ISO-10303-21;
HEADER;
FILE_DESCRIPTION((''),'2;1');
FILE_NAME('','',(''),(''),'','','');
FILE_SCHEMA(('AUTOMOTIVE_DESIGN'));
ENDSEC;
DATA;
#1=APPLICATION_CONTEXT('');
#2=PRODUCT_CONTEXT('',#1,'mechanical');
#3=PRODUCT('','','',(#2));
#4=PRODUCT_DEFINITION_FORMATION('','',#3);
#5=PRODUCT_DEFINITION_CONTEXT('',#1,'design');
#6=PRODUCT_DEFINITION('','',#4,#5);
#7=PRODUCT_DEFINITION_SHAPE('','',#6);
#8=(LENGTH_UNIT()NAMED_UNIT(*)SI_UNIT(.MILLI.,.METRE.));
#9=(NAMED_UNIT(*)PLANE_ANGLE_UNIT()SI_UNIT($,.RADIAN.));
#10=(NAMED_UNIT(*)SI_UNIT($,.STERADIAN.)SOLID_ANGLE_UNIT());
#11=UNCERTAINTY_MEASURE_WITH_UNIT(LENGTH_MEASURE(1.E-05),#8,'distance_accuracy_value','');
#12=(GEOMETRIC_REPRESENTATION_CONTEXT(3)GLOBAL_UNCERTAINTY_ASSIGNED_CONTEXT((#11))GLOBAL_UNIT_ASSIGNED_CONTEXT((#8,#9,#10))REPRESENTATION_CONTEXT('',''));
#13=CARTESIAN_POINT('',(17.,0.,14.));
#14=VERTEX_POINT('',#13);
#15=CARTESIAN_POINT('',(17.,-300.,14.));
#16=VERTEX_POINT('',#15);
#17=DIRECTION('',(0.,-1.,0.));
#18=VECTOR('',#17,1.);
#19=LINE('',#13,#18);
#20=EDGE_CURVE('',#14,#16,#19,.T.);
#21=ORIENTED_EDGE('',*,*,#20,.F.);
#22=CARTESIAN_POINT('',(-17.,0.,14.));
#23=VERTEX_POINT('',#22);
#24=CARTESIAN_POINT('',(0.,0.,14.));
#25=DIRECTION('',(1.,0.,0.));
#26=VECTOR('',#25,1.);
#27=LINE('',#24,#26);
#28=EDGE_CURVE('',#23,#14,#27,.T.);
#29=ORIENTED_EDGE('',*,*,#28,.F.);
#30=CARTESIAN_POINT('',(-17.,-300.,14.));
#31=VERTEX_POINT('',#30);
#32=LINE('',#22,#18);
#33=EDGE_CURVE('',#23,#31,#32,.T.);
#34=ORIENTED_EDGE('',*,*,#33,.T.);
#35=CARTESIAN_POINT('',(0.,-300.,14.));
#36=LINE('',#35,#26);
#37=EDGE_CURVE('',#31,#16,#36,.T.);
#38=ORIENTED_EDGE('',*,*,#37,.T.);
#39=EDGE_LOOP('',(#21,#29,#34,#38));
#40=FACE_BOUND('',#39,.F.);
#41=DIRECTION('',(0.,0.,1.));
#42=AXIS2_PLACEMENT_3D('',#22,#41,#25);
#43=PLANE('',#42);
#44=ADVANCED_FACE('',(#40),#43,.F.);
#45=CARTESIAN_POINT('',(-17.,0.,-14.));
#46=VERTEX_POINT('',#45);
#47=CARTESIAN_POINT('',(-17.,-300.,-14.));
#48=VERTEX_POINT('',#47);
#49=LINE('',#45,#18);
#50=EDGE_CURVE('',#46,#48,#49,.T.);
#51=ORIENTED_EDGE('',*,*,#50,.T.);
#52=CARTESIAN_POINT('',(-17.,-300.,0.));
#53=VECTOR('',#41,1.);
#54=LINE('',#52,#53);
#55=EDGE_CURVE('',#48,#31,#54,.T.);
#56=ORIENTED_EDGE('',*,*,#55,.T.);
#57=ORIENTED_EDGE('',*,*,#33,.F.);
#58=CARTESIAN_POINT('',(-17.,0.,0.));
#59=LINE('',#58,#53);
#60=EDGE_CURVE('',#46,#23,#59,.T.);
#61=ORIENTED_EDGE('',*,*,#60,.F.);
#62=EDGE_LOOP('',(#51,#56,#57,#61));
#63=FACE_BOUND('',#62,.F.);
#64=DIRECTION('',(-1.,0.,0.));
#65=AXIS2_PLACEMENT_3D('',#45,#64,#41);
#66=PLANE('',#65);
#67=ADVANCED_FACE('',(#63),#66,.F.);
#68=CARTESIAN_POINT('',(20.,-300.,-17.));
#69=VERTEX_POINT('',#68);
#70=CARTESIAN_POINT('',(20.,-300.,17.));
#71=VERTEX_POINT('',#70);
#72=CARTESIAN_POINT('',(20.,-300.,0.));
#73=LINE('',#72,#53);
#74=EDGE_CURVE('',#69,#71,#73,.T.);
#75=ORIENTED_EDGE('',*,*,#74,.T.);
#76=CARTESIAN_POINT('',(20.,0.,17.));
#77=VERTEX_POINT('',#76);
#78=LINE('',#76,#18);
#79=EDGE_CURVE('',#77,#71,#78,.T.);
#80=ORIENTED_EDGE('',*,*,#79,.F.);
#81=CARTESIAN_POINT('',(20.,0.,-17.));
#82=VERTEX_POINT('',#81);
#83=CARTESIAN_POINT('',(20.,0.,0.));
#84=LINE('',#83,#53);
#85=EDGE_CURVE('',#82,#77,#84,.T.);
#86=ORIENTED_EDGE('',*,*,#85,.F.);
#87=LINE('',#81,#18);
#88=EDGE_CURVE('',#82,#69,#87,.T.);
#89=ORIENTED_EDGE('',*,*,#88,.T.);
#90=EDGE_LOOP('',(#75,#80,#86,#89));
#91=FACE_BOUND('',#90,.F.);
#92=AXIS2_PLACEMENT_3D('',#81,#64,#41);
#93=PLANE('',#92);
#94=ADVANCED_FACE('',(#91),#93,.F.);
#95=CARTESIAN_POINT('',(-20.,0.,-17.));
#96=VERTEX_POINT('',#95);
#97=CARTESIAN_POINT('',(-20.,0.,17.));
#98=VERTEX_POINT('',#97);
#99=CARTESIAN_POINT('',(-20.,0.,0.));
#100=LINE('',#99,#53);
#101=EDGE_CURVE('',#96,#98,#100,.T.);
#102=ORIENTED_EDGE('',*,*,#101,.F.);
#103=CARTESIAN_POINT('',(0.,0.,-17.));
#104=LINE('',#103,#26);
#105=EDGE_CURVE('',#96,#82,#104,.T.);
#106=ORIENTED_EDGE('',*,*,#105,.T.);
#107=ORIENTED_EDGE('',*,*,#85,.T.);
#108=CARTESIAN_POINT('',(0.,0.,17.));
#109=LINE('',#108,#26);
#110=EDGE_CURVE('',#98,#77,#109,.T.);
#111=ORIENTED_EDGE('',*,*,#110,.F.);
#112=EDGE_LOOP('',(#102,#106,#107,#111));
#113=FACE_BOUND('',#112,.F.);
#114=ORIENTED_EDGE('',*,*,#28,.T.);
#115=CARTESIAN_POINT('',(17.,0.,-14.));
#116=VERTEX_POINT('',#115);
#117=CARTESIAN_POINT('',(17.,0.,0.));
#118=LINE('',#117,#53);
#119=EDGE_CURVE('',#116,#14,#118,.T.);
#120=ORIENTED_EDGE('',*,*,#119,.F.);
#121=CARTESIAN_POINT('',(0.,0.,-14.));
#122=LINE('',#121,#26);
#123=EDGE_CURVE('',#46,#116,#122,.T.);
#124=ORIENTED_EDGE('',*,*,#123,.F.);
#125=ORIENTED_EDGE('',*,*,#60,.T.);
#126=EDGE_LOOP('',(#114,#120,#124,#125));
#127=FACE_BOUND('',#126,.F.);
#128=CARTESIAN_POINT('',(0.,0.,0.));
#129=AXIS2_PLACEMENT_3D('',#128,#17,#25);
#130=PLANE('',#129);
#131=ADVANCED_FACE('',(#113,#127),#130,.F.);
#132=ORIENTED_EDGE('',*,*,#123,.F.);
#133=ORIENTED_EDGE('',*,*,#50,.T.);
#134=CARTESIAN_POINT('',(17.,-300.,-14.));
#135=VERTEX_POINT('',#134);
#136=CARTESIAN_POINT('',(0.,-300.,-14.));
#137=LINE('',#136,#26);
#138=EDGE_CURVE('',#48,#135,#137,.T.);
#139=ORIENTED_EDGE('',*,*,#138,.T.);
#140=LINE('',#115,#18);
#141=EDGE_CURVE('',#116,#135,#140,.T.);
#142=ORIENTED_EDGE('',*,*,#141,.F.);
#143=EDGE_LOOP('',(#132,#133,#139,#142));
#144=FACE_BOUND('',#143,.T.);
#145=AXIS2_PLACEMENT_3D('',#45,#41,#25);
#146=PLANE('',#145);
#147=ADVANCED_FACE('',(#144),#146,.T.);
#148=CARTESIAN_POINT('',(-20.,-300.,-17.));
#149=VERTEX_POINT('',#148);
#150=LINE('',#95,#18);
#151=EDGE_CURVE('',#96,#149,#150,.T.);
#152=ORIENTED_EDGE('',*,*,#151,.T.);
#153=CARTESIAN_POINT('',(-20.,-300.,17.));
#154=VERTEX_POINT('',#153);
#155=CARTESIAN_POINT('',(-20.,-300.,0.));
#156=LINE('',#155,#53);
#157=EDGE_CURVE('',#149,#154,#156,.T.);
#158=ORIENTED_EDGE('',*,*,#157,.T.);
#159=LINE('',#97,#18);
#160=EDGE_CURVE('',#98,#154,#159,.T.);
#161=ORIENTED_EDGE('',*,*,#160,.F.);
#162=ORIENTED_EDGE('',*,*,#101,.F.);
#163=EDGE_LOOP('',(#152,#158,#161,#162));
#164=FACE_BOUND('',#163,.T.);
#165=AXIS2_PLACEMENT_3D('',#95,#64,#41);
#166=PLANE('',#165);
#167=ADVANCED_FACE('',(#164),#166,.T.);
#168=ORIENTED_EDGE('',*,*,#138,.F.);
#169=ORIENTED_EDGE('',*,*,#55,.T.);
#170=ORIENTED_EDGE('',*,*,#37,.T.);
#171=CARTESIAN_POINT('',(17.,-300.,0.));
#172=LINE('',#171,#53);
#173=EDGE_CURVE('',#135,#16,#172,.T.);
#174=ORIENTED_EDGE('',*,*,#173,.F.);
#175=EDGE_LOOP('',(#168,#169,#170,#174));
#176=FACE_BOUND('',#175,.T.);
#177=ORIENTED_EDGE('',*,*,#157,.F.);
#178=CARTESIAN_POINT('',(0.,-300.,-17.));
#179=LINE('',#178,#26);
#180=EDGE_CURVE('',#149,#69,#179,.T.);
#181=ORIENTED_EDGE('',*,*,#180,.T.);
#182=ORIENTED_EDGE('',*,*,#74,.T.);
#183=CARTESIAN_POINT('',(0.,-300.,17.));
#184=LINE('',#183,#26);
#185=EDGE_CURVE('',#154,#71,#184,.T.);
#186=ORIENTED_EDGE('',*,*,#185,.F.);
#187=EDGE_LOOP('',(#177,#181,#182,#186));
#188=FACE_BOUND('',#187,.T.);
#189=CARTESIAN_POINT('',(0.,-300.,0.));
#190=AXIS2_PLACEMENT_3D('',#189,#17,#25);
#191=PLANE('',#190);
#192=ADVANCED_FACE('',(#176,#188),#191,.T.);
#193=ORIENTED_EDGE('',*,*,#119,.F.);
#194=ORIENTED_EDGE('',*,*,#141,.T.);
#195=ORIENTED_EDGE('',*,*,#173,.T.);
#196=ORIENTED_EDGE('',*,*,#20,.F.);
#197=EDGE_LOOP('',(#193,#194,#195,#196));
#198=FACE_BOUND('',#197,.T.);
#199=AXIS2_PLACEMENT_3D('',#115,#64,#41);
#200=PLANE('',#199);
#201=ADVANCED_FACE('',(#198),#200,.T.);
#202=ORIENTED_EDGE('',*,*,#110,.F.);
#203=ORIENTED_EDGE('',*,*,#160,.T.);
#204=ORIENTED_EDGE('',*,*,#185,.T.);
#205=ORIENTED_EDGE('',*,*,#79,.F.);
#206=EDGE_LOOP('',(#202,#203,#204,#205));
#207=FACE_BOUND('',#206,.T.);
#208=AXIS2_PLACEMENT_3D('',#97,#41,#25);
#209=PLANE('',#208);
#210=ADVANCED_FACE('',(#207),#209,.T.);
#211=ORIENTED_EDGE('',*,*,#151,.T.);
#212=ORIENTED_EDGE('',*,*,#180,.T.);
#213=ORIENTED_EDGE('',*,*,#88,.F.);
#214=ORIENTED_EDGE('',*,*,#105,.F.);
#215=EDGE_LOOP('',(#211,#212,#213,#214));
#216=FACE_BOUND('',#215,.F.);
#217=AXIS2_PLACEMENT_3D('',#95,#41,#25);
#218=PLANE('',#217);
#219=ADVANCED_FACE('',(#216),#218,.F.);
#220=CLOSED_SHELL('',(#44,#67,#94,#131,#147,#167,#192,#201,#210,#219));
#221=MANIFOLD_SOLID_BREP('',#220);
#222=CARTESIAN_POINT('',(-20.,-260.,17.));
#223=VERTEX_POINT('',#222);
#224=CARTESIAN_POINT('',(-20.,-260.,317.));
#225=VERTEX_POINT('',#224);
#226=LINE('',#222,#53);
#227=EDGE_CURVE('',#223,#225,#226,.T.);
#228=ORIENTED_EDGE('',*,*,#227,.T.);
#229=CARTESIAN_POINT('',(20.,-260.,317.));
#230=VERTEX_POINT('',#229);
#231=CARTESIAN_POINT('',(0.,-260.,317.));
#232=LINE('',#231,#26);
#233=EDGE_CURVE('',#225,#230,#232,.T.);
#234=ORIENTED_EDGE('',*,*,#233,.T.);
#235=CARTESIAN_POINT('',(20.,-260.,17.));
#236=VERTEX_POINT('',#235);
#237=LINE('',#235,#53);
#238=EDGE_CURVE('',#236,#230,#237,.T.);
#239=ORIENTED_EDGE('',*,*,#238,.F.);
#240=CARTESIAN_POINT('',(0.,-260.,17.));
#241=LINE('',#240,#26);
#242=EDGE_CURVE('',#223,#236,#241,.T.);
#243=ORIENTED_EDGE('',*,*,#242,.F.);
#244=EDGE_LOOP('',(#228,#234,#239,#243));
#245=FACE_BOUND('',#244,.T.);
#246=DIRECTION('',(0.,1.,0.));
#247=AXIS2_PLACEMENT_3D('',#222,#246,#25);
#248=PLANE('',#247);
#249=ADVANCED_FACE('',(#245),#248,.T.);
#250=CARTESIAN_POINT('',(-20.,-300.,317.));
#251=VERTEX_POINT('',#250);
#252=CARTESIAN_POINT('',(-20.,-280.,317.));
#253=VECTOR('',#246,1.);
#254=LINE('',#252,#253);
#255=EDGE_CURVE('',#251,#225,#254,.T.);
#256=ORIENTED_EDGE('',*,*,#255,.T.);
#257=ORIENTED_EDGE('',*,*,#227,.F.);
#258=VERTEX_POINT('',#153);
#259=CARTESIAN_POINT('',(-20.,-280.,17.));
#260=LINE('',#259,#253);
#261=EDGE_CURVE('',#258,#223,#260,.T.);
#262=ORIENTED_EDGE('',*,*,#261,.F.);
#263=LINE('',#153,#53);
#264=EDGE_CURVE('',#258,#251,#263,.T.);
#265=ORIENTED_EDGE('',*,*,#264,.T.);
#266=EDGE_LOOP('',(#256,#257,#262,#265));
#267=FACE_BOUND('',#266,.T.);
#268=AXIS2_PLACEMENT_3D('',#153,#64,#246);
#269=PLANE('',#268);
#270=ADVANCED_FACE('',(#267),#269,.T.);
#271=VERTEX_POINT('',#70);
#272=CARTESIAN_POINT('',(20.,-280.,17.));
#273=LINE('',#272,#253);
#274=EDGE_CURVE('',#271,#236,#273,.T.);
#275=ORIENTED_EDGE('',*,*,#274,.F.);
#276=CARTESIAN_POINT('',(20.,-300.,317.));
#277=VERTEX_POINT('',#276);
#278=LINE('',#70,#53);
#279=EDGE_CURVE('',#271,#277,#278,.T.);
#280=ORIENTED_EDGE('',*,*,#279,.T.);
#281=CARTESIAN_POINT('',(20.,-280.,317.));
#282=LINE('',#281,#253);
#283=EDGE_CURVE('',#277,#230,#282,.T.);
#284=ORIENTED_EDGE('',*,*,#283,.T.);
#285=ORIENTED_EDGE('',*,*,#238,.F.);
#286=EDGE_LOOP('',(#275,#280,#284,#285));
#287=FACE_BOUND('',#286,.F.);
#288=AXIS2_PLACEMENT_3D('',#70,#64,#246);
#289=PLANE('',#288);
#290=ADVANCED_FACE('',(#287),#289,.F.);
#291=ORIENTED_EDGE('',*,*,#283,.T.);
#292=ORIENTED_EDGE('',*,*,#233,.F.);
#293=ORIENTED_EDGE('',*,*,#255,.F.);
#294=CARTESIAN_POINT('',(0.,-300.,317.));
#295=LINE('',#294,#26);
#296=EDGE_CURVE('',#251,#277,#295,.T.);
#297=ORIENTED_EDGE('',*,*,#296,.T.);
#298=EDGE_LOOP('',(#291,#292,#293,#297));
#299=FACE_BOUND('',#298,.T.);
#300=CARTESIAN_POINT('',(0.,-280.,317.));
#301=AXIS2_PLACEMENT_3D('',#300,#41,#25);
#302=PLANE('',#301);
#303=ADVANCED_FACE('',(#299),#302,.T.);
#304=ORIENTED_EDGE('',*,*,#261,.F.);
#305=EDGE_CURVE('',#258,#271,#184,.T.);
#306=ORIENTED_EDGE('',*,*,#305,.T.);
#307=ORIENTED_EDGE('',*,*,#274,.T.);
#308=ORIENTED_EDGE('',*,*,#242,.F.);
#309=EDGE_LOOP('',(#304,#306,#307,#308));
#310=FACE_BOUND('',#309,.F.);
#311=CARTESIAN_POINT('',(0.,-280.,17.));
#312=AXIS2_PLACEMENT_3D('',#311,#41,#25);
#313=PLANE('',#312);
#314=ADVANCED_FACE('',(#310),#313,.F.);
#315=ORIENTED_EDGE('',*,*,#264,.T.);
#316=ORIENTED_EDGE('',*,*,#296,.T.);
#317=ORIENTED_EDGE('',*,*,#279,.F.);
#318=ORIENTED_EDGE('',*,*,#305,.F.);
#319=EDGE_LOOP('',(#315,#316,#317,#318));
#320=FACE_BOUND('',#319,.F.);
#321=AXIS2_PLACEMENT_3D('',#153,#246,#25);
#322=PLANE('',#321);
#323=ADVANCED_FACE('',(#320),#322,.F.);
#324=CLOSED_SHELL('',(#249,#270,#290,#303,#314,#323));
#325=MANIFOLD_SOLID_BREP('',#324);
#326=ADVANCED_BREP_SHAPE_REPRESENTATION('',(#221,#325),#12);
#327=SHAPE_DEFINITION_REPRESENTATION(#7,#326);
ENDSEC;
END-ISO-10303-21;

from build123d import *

# Parameters (mm, degrees)
F0_W     = 40
F0_H     = 34
F0_W_2   = 34
F0_H_2   = 28
F1_DEPTH = 300
F2_W     = 40
F2_H     = 40
F3_DEPTH = 300


with BuildPart() as f1:
    # F0 (on Front) → F1 (new body)
    with BuildSketch(Plane.XZ):
        Rectangle(F0_W, F0_H)
        Rectangle(F0_W_2, F0_H_2, mode=Mode.SUBTRACT)
    extrude(amount=F1_DEPTH)


with BuildPart() as f3:
    # F2 (on face) → F3 (new body)
    with BuildSketch(Plane.XY.offset(17)):
        with Locations((0, -280)):
            Rectangle(F2_W, F2_H)
    extrude(amount=F3_DEPTH)


solid = Compound([f1.part, f3.part])
